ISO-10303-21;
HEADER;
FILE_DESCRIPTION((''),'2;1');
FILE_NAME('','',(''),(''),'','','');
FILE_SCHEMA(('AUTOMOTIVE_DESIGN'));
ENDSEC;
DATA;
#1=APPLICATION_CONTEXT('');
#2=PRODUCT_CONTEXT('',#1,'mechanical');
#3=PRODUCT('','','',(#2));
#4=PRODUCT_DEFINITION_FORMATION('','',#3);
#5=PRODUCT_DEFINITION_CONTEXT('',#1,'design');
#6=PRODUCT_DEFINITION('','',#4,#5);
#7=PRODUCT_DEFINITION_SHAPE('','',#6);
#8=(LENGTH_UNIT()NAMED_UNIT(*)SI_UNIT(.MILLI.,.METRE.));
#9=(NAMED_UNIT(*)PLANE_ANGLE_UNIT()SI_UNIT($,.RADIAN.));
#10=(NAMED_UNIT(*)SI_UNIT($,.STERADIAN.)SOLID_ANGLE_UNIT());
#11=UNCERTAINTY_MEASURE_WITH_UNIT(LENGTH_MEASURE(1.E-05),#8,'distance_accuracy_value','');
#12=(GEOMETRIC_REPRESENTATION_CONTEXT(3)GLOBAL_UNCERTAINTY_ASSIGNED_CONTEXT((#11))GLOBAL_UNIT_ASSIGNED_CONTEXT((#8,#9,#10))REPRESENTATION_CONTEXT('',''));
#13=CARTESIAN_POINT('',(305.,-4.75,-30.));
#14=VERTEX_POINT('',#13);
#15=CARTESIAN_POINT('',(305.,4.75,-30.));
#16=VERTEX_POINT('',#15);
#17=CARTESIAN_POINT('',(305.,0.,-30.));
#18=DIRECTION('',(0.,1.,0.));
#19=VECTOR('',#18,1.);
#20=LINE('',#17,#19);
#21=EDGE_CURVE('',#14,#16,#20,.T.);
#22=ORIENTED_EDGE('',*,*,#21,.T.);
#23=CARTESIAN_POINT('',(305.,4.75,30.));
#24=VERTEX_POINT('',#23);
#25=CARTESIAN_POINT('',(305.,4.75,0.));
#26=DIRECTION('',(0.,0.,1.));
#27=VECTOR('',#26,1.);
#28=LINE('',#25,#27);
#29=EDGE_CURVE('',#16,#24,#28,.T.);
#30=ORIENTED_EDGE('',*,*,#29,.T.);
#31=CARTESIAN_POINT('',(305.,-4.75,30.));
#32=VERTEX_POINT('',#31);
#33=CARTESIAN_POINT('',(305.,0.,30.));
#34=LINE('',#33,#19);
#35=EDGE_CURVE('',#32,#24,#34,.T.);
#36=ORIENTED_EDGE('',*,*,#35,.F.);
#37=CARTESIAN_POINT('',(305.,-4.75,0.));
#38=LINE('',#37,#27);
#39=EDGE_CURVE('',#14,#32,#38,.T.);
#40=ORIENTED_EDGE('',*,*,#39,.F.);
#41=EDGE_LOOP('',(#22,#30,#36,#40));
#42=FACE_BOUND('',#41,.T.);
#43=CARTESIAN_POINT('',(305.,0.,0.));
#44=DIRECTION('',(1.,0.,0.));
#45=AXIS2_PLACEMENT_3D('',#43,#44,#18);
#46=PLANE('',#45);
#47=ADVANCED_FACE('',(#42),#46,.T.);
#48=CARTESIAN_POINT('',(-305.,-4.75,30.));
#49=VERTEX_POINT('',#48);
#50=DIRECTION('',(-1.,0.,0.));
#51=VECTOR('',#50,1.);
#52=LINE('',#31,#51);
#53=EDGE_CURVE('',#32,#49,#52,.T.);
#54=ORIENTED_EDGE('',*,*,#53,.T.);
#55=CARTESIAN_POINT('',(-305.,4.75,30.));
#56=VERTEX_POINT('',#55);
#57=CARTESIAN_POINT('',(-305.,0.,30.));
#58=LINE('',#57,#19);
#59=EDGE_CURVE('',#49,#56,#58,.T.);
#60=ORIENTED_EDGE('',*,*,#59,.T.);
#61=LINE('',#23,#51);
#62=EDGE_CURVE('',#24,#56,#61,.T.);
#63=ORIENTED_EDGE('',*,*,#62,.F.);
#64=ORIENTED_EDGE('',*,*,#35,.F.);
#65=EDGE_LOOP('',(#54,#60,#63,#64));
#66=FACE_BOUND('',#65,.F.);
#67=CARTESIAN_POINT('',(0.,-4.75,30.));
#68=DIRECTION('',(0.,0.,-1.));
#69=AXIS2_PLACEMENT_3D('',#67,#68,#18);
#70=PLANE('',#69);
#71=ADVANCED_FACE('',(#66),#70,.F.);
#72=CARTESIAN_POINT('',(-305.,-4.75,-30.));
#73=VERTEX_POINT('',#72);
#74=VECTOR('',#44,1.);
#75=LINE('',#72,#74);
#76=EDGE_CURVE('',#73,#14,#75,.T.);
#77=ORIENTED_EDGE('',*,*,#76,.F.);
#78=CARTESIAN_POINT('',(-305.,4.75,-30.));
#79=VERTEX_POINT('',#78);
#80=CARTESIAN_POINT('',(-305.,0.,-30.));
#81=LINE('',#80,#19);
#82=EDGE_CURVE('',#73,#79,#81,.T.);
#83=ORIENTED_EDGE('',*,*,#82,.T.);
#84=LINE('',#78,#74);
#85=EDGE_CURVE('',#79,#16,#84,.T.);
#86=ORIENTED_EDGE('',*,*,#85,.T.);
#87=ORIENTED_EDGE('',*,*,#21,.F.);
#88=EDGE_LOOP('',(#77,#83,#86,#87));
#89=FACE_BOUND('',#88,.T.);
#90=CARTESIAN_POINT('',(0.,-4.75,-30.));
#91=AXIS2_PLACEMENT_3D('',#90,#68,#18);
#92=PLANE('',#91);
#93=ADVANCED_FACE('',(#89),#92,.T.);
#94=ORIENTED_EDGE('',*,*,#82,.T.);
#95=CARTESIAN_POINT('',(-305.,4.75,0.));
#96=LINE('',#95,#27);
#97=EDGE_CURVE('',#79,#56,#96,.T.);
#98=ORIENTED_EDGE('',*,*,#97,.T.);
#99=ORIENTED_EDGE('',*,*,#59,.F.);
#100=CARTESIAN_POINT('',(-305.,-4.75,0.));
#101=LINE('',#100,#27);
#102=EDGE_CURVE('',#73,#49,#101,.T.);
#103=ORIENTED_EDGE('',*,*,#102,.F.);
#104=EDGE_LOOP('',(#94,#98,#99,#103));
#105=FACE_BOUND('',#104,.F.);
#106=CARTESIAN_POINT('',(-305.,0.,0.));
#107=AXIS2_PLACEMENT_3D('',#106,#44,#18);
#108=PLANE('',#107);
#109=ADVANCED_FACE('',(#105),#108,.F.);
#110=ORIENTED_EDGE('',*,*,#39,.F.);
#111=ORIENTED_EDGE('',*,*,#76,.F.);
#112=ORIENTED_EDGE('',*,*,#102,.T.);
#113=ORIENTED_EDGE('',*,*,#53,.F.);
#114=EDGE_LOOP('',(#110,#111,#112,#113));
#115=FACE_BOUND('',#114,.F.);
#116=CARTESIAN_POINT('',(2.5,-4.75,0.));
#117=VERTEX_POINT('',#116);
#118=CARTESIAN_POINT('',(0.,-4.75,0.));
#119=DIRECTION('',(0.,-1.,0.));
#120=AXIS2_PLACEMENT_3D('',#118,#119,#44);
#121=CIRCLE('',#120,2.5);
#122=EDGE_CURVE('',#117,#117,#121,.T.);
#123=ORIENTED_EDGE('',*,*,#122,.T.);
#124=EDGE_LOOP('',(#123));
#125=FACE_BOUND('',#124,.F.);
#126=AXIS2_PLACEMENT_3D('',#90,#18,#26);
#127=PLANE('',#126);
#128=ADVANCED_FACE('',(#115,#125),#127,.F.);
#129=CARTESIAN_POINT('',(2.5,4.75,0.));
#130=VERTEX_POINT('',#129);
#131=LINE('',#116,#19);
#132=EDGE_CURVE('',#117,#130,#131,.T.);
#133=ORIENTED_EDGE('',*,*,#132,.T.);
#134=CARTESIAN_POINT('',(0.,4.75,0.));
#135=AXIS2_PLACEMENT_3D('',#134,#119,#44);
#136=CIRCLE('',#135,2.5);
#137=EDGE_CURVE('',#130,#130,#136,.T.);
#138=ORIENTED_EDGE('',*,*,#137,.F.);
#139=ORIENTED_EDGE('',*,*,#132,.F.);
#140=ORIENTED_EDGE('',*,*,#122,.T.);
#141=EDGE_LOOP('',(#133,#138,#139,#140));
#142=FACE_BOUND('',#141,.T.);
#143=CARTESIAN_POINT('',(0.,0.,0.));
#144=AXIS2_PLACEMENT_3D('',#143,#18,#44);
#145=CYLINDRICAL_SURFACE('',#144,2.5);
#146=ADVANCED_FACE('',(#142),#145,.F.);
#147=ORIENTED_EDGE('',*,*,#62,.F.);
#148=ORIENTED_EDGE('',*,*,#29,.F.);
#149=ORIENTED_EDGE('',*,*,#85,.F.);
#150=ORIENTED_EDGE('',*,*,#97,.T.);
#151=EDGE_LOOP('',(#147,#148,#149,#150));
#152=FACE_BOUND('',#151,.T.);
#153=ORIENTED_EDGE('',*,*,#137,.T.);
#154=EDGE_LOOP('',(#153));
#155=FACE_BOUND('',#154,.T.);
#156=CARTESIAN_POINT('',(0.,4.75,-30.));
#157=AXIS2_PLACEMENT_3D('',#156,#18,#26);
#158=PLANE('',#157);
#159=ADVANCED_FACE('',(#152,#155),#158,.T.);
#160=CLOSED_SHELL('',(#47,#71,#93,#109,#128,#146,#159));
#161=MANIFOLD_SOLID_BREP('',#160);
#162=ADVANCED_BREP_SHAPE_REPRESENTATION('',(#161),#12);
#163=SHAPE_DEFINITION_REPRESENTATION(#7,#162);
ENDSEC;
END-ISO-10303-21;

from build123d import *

# Parameters (mm, degrees)
F0_W          = 9.5
F0_H          = 60
F1_DEPTH      = 305
F1_DEPTH_BACK = 305
F2_R          = 2.5
F3_DEPTH      = 4.75
F3_DEPTH_BACK = 4.75


with BuildPart() as f1:
    # F0 (on Right) → F1 (new body, two sides)
    with BuildSketch(Plane.YZ) as f1_sk:
        Rectangle(F0_W, F0_H)
    extrude(amount=F1_DEPTH)
    extrude(f1_sk.sketch, amount=-F1_DEPTH_BACK)

    # F2 (on Front) → F3 (cut, two sides)
    with BuildSketch(Plane.XZ) as f3_sk:
        Circle(F2_R)
    extrude(amount=F3_DEPTH, mode=Mode.SUBTRACT)
    extrude(f3_sk.sketch, amount=-F3_DEPTH_BACK, mode=Mode.SUBTRACT)


solid = f1.part
